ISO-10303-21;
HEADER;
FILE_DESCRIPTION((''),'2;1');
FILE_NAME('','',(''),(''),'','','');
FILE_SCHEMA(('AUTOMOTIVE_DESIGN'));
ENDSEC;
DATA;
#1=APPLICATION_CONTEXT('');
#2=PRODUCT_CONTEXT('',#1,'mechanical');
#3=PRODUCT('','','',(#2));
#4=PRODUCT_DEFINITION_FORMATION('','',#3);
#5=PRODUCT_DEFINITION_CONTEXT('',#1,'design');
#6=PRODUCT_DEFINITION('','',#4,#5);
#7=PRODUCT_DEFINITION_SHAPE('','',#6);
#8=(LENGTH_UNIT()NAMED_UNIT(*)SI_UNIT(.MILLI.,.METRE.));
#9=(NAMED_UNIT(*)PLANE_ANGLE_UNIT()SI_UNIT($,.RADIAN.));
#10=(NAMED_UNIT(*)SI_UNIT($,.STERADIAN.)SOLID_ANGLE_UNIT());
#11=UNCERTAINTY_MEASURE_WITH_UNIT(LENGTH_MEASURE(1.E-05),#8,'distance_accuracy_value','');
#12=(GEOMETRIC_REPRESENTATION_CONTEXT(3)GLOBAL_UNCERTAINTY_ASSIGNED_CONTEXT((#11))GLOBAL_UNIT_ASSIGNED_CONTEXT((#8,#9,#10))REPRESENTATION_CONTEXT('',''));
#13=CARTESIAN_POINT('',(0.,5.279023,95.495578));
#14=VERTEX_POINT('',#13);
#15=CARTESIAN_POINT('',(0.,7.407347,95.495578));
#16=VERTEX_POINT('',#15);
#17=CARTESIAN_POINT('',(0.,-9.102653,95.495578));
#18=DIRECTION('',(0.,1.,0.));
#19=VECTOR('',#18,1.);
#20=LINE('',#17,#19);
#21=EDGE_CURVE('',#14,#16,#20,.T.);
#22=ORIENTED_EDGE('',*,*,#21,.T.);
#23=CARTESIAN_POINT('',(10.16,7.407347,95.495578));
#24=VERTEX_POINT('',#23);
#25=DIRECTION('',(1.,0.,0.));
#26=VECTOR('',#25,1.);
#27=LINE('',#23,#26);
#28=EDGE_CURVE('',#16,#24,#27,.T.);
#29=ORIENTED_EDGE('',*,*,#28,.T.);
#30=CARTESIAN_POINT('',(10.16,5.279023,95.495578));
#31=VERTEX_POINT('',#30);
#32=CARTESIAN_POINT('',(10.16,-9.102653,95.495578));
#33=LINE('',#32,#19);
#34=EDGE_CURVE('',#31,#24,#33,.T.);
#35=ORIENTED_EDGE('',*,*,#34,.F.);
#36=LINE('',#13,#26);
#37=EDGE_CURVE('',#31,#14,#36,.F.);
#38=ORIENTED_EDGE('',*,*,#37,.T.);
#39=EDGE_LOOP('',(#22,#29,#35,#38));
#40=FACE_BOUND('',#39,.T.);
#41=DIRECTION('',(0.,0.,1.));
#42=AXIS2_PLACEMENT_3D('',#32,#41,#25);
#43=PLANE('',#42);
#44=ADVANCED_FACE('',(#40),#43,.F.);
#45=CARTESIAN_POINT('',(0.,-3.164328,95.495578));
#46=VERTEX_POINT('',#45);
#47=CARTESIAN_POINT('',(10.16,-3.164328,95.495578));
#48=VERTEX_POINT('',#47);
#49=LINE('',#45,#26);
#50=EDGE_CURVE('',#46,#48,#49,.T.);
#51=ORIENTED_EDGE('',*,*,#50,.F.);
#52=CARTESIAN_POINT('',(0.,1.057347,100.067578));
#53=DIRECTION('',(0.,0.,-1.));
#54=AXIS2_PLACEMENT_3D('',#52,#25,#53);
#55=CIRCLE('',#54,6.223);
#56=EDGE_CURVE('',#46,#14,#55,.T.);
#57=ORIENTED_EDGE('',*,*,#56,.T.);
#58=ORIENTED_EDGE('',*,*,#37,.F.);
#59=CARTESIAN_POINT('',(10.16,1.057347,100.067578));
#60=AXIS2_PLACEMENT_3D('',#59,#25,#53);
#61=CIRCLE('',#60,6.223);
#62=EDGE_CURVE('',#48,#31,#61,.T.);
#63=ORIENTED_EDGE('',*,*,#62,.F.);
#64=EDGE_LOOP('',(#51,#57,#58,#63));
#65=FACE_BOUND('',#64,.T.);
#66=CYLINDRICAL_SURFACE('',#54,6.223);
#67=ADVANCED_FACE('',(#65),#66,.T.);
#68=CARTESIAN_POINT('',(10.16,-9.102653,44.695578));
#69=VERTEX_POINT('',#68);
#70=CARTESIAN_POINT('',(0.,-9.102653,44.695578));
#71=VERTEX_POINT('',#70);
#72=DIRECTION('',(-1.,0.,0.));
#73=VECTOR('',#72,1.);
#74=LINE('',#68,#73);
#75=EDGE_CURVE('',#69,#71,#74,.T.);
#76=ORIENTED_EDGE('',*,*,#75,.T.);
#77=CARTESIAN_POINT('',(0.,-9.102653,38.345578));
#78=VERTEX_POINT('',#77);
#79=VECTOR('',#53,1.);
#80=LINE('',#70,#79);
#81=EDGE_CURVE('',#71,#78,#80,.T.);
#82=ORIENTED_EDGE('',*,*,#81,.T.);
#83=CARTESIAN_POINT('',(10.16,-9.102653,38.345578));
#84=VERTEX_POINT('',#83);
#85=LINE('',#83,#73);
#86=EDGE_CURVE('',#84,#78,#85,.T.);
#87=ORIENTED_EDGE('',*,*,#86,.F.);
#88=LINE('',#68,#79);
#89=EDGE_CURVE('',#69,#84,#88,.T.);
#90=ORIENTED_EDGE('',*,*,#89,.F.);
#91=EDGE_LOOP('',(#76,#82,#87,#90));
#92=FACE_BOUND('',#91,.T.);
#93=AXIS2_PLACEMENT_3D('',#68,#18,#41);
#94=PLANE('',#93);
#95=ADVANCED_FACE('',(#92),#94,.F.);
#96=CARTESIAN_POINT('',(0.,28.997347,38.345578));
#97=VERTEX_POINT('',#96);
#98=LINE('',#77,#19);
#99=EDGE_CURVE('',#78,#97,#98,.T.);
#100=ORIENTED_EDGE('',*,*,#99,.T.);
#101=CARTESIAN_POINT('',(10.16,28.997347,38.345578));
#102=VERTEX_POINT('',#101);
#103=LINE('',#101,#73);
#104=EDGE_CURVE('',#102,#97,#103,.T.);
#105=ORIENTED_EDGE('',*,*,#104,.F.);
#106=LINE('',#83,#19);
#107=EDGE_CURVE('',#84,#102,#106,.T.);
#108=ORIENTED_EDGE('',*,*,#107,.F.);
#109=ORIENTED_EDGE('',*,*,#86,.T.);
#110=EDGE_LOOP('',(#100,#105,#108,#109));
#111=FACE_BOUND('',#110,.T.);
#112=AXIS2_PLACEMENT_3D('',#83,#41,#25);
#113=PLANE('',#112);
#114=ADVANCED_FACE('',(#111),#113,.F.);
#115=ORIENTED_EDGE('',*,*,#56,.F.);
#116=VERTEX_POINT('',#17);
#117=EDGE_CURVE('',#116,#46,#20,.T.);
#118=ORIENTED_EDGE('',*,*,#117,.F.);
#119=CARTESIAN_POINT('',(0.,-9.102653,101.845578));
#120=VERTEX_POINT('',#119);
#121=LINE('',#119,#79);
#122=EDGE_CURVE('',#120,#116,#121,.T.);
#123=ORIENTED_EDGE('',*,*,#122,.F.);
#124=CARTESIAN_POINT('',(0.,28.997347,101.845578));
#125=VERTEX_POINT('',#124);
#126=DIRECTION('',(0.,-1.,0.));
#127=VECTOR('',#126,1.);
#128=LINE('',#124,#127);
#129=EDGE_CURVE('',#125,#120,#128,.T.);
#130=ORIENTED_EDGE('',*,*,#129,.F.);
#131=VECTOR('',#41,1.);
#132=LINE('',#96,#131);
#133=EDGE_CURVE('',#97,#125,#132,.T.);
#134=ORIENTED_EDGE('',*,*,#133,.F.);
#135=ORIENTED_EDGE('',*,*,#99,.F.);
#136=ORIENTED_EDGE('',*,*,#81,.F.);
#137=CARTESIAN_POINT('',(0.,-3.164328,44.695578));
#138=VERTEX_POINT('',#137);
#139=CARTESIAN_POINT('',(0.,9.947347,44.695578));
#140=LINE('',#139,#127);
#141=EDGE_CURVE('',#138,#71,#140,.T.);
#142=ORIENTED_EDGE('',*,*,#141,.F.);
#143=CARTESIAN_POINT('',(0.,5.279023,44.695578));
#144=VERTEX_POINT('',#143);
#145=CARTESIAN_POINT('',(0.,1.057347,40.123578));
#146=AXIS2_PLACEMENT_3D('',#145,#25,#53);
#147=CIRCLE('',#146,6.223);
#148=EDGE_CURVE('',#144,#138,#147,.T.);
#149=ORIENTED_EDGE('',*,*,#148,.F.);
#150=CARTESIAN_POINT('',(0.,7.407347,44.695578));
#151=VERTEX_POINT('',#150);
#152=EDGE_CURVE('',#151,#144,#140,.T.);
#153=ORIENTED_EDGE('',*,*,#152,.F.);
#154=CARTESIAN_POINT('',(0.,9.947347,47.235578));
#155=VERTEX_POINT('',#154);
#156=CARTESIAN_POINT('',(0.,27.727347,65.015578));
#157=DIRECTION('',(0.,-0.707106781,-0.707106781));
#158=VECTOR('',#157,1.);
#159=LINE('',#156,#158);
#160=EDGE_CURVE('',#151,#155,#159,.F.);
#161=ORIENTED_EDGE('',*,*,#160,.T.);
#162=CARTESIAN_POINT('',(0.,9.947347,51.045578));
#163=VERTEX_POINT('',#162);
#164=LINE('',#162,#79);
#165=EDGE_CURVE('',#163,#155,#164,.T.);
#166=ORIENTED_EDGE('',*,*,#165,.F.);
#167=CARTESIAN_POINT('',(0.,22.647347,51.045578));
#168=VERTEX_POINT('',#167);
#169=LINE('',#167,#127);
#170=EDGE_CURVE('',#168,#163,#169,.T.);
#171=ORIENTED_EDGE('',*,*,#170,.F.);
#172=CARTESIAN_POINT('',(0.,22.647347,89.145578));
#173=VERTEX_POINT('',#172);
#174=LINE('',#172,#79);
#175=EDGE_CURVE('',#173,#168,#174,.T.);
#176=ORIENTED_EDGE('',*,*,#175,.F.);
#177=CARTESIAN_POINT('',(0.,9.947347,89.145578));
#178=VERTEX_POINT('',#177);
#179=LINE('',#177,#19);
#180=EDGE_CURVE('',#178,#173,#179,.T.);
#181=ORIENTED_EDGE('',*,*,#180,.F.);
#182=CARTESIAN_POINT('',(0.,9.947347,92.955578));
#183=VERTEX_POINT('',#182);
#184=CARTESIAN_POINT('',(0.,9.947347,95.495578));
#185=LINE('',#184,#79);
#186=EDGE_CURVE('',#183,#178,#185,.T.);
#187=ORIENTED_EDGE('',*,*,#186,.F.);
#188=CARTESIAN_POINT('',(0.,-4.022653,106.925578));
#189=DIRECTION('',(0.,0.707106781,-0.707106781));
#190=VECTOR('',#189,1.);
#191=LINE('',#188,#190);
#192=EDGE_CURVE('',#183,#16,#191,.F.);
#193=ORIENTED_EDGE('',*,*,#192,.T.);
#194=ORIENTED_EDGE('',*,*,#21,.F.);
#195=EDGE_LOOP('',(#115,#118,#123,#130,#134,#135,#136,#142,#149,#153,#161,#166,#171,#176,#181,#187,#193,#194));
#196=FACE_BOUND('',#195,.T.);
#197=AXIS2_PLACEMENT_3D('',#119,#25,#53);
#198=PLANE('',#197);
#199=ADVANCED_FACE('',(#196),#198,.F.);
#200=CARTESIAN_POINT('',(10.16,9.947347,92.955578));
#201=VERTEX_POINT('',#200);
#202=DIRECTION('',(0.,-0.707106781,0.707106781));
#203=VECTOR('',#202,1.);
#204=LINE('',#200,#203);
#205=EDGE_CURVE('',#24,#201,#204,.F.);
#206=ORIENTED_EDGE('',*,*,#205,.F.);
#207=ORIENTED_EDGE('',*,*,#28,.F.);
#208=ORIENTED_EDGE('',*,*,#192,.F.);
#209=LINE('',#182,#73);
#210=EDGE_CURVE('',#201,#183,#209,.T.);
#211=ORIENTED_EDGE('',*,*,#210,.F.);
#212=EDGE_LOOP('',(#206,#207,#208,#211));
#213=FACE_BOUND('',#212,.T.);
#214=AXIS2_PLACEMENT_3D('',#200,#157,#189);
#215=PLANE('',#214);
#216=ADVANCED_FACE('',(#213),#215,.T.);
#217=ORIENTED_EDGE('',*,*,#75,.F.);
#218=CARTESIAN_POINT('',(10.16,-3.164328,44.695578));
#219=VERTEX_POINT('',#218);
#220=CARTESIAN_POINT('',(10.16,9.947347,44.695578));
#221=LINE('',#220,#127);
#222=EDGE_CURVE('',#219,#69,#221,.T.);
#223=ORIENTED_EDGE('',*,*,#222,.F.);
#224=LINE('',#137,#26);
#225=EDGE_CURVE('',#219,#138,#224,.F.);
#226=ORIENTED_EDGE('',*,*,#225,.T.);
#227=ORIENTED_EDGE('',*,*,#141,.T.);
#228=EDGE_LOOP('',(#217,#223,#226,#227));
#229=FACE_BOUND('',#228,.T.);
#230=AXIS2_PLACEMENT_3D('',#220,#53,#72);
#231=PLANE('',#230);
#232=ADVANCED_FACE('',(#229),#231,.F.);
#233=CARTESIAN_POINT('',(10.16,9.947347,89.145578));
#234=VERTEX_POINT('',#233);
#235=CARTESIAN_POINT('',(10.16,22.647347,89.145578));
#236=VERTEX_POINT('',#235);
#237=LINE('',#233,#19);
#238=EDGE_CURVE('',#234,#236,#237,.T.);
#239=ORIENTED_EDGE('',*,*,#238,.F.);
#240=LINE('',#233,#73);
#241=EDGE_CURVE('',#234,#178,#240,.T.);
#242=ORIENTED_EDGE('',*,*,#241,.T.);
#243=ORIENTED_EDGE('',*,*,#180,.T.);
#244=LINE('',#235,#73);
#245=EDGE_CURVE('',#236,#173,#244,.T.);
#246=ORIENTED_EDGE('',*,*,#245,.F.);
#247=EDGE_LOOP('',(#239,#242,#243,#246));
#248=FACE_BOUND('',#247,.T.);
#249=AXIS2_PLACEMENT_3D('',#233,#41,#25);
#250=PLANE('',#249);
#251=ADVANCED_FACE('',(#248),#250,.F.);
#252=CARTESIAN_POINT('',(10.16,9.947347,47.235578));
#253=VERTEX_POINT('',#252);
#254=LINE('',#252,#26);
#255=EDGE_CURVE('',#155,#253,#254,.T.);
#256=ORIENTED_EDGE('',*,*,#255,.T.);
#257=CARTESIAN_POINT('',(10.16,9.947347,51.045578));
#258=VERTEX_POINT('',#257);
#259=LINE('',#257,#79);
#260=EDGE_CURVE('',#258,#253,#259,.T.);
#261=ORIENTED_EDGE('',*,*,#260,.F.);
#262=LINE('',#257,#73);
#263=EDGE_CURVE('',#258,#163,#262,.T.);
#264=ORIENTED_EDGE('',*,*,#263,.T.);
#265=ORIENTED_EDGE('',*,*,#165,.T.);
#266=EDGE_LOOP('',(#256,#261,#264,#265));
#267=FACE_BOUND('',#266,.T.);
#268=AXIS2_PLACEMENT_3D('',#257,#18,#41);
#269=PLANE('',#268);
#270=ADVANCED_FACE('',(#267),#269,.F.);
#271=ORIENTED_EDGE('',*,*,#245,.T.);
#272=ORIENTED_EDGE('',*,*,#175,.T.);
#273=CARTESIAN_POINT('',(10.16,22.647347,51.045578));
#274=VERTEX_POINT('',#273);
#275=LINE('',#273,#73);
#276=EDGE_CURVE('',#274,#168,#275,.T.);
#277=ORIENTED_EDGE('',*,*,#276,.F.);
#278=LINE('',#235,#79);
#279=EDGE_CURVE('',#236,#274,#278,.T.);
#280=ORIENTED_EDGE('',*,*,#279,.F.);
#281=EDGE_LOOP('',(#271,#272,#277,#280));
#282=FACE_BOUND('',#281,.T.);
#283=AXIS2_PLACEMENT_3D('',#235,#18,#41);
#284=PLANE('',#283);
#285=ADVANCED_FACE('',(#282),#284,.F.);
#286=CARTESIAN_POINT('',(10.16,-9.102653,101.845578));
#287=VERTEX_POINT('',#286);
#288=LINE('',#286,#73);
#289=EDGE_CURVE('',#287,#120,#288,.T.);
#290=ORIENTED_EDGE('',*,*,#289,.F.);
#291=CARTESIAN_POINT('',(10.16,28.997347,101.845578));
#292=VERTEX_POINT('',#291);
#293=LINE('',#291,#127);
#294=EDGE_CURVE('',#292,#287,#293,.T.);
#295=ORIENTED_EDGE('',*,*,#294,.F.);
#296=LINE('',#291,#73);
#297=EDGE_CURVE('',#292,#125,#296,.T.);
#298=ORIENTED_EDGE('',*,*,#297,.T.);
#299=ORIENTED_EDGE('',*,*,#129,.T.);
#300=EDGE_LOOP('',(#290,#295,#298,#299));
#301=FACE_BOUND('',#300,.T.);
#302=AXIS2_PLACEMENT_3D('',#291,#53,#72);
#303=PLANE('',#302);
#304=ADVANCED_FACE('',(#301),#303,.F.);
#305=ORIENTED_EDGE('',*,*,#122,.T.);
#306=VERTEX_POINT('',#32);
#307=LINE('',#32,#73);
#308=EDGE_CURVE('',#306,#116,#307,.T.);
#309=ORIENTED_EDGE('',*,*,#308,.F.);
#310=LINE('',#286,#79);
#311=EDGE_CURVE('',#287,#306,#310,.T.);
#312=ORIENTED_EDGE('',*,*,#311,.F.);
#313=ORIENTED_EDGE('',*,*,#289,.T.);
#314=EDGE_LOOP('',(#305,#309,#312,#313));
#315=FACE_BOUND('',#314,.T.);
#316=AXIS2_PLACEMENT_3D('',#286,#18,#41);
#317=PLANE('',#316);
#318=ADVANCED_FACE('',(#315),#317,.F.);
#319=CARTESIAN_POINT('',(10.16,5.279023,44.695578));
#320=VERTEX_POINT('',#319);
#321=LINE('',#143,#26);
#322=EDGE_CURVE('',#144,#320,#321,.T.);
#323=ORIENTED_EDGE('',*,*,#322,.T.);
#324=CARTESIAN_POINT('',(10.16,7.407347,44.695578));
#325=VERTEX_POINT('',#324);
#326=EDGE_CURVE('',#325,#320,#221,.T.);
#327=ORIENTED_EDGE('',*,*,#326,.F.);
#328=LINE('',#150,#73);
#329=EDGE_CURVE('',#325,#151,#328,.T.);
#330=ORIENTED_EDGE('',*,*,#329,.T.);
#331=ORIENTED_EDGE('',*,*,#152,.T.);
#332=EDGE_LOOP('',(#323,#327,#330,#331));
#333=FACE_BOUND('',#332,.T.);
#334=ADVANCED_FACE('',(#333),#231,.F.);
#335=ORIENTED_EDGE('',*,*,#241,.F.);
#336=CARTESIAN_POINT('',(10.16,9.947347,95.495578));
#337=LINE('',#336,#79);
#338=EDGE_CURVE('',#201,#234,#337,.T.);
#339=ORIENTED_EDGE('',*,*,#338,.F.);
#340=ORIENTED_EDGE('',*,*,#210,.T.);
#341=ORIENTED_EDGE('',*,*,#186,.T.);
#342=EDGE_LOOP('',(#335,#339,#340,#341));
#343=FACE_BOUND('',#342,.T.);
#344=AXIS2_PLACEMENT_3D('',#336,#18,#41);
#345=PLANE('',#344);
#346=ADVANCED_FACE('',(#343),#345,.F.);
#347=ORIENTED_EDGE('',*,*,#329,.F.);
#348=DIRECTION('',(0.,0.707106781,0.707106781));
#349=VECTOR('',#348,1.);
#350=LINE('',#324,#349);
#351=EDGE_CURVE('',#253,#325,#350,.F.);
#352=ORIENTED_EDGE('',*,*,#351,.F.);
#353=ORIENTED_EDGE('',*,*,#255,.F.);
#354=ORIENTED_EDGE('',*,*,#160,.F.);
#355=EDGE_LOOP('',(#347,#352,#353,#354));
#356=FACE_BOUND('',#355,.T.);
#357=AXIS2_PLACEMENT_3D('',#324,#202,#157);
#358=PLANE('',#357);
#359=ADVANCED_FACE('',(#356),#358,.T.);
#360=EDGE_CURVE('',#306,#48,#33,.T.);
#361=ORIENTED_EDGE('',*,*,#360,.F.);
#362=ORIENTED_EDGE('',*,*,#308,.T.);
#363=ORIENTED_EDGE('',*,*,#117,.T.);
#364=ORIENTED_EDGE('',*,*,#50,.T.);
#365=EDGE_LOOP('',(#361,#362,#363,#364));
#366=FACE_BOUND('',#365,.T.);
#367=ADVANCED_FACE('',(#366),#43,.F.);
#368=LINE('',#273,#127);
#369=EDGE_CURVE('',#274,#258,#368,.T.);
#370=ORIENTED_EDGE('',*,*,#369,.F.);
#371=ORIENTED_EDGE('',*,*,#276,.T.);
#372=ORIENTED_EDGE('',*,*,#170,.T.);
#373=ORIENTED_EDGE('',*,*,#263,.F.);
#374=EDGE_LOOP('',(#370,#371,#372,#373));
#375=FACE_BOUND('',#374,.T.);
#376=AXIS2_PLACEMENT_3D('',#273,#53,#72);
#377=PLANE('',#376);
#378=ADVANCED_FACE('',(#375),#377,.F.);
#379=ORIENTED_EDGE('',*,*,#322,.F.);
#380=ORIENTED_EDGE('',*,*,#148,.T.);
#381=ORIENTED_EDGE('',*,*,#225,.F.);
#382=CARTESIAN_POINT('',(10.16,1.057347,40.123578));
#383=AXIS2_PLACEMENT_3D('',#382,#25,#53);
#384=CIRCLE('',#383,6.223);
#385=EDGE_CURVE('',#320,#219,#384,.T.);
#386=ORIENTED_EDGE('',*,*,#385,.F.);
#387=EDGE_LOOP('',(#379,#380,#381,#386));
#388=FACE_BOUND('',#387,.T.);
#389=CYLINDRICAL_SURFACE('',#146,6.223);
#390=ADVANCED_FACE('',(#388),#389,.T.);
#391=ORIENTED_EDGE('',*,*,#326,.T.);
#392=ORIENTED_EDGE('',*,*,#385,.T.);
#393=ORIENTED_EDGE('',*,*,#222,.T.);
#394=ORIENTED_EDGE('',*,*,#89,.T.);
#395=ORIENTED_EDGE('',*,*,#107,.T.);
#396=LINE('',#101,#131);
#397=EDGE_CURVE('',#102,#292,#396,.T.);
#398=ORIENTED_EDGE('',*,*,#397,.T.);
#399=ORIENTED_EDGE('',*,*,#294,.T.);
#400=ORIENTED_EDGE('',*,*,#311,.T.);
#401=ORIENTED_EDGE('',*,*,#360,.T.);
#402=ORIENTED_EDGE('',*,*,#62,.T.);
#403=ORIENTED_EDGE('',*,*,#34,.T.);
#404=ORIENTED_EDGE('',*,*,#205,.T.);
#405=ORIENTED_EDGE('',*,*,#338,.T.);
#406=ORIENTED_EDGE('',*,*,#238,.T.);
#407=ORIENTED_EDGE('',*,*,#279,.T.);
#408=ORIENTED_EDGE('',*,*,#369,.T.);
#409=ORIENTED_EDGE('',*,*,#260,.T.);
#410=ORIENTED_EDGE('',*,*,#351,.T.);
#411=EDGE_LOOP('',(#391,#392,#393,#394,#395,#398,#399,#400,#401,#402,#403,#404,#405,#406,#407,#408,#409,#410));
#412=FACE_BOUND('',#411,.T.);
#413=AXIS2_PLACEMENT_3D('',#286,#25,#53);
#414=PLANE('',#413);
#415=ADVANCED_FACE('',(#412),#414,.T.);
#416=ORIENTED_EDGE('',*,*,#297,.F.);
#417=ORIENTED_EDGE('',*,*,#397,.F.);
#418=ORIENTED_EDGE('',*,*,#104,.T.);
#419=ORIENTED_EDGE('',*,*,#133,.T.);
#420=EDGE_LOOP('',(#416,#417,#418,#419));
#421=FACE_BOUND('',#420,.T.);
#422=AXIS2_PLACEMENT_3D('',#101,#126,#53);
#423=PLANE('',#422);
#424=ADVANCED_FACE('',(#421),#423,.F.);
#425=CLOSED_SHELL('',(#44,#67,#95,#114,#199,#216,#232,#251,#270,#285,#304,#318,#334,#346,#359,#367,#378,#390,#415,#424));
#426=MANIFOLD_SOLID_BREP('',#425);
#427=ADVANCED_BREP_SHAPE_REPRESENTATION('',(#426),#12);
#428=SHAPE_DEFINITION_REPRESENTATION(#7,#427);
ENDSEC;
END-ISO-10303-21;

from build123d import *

# Parameters (mm, degrees)
BOSS_EXTRUDE1_DEPTH = 10.16
BOSS_EXTRUDE2_DEPTH = 10.16
CHAMFER1_SIZE       = 2.54


with BuildPart() as part:
    # Sketch3 → Boss-Extrude1 (new body)
    with BuildSketch(Plane(origin=(0, 0, 0), x_dir=(0, 0, -1), z_dir=(1, 0, 0))):
        Polygon((-101.845577666, -9.102652747), (-95.495577666, -9.102652747), (-95.495577666, 9.947347253), (-89.145577666, 9.947347253), (-89.145577666, 22.647347253), (-51.045577666, 22.647347253), (-51.045577666, 9.947347253), (-44.695577666, 9.947347253), (-44.695577666, -9.102652747), (-38.345577666, -9.102652747), (-38.345577666, 28.997347253), (-101.845577666, 28.997347253), align=None)
    extrude(amount=BOSS_EXTRUDE1_DEPTH)

    # Sketch4 → Boss-Extrude2 (add)
    with BuildSketch(Plane(origin=(10.16, 0, 0), x_dir=(0, 0, -1), z_dir=(1, 0, 0))):
        with BuildLine():
            Line((-101.845577666, -4.906246043), (-101.845577666, 7.020940549))
            ThreePointArc((-101.845577666, 7.020940549), (-93.844577666, 1.057347253), (-101.845577666, -4.906246043))
        make_face()
        with BuildLine():
            Line((-38.345577666, -4.906246043), (-38.345577666, 7.020940549))
            ThreePointArc((-38.345577666, 7.020940549), (-46.346577666, 1.057347253), (-38.345577666, -4.906246043))
        make_face()
    extrude(amount=-BOSS_EXTRUDE2_DEPTH)

    # Chamfer1
    chamfer1_edges = [part.edges().sort_by_distance(p)[0] for p in [
        (5.08, 9.947347253, 44.695577666),
        (5.08, 9.947347253, 95.495577666),
    ]]
    chamfer(chamfer1_edges, length=CHAMFER1_SIZE)


solid = part.part
